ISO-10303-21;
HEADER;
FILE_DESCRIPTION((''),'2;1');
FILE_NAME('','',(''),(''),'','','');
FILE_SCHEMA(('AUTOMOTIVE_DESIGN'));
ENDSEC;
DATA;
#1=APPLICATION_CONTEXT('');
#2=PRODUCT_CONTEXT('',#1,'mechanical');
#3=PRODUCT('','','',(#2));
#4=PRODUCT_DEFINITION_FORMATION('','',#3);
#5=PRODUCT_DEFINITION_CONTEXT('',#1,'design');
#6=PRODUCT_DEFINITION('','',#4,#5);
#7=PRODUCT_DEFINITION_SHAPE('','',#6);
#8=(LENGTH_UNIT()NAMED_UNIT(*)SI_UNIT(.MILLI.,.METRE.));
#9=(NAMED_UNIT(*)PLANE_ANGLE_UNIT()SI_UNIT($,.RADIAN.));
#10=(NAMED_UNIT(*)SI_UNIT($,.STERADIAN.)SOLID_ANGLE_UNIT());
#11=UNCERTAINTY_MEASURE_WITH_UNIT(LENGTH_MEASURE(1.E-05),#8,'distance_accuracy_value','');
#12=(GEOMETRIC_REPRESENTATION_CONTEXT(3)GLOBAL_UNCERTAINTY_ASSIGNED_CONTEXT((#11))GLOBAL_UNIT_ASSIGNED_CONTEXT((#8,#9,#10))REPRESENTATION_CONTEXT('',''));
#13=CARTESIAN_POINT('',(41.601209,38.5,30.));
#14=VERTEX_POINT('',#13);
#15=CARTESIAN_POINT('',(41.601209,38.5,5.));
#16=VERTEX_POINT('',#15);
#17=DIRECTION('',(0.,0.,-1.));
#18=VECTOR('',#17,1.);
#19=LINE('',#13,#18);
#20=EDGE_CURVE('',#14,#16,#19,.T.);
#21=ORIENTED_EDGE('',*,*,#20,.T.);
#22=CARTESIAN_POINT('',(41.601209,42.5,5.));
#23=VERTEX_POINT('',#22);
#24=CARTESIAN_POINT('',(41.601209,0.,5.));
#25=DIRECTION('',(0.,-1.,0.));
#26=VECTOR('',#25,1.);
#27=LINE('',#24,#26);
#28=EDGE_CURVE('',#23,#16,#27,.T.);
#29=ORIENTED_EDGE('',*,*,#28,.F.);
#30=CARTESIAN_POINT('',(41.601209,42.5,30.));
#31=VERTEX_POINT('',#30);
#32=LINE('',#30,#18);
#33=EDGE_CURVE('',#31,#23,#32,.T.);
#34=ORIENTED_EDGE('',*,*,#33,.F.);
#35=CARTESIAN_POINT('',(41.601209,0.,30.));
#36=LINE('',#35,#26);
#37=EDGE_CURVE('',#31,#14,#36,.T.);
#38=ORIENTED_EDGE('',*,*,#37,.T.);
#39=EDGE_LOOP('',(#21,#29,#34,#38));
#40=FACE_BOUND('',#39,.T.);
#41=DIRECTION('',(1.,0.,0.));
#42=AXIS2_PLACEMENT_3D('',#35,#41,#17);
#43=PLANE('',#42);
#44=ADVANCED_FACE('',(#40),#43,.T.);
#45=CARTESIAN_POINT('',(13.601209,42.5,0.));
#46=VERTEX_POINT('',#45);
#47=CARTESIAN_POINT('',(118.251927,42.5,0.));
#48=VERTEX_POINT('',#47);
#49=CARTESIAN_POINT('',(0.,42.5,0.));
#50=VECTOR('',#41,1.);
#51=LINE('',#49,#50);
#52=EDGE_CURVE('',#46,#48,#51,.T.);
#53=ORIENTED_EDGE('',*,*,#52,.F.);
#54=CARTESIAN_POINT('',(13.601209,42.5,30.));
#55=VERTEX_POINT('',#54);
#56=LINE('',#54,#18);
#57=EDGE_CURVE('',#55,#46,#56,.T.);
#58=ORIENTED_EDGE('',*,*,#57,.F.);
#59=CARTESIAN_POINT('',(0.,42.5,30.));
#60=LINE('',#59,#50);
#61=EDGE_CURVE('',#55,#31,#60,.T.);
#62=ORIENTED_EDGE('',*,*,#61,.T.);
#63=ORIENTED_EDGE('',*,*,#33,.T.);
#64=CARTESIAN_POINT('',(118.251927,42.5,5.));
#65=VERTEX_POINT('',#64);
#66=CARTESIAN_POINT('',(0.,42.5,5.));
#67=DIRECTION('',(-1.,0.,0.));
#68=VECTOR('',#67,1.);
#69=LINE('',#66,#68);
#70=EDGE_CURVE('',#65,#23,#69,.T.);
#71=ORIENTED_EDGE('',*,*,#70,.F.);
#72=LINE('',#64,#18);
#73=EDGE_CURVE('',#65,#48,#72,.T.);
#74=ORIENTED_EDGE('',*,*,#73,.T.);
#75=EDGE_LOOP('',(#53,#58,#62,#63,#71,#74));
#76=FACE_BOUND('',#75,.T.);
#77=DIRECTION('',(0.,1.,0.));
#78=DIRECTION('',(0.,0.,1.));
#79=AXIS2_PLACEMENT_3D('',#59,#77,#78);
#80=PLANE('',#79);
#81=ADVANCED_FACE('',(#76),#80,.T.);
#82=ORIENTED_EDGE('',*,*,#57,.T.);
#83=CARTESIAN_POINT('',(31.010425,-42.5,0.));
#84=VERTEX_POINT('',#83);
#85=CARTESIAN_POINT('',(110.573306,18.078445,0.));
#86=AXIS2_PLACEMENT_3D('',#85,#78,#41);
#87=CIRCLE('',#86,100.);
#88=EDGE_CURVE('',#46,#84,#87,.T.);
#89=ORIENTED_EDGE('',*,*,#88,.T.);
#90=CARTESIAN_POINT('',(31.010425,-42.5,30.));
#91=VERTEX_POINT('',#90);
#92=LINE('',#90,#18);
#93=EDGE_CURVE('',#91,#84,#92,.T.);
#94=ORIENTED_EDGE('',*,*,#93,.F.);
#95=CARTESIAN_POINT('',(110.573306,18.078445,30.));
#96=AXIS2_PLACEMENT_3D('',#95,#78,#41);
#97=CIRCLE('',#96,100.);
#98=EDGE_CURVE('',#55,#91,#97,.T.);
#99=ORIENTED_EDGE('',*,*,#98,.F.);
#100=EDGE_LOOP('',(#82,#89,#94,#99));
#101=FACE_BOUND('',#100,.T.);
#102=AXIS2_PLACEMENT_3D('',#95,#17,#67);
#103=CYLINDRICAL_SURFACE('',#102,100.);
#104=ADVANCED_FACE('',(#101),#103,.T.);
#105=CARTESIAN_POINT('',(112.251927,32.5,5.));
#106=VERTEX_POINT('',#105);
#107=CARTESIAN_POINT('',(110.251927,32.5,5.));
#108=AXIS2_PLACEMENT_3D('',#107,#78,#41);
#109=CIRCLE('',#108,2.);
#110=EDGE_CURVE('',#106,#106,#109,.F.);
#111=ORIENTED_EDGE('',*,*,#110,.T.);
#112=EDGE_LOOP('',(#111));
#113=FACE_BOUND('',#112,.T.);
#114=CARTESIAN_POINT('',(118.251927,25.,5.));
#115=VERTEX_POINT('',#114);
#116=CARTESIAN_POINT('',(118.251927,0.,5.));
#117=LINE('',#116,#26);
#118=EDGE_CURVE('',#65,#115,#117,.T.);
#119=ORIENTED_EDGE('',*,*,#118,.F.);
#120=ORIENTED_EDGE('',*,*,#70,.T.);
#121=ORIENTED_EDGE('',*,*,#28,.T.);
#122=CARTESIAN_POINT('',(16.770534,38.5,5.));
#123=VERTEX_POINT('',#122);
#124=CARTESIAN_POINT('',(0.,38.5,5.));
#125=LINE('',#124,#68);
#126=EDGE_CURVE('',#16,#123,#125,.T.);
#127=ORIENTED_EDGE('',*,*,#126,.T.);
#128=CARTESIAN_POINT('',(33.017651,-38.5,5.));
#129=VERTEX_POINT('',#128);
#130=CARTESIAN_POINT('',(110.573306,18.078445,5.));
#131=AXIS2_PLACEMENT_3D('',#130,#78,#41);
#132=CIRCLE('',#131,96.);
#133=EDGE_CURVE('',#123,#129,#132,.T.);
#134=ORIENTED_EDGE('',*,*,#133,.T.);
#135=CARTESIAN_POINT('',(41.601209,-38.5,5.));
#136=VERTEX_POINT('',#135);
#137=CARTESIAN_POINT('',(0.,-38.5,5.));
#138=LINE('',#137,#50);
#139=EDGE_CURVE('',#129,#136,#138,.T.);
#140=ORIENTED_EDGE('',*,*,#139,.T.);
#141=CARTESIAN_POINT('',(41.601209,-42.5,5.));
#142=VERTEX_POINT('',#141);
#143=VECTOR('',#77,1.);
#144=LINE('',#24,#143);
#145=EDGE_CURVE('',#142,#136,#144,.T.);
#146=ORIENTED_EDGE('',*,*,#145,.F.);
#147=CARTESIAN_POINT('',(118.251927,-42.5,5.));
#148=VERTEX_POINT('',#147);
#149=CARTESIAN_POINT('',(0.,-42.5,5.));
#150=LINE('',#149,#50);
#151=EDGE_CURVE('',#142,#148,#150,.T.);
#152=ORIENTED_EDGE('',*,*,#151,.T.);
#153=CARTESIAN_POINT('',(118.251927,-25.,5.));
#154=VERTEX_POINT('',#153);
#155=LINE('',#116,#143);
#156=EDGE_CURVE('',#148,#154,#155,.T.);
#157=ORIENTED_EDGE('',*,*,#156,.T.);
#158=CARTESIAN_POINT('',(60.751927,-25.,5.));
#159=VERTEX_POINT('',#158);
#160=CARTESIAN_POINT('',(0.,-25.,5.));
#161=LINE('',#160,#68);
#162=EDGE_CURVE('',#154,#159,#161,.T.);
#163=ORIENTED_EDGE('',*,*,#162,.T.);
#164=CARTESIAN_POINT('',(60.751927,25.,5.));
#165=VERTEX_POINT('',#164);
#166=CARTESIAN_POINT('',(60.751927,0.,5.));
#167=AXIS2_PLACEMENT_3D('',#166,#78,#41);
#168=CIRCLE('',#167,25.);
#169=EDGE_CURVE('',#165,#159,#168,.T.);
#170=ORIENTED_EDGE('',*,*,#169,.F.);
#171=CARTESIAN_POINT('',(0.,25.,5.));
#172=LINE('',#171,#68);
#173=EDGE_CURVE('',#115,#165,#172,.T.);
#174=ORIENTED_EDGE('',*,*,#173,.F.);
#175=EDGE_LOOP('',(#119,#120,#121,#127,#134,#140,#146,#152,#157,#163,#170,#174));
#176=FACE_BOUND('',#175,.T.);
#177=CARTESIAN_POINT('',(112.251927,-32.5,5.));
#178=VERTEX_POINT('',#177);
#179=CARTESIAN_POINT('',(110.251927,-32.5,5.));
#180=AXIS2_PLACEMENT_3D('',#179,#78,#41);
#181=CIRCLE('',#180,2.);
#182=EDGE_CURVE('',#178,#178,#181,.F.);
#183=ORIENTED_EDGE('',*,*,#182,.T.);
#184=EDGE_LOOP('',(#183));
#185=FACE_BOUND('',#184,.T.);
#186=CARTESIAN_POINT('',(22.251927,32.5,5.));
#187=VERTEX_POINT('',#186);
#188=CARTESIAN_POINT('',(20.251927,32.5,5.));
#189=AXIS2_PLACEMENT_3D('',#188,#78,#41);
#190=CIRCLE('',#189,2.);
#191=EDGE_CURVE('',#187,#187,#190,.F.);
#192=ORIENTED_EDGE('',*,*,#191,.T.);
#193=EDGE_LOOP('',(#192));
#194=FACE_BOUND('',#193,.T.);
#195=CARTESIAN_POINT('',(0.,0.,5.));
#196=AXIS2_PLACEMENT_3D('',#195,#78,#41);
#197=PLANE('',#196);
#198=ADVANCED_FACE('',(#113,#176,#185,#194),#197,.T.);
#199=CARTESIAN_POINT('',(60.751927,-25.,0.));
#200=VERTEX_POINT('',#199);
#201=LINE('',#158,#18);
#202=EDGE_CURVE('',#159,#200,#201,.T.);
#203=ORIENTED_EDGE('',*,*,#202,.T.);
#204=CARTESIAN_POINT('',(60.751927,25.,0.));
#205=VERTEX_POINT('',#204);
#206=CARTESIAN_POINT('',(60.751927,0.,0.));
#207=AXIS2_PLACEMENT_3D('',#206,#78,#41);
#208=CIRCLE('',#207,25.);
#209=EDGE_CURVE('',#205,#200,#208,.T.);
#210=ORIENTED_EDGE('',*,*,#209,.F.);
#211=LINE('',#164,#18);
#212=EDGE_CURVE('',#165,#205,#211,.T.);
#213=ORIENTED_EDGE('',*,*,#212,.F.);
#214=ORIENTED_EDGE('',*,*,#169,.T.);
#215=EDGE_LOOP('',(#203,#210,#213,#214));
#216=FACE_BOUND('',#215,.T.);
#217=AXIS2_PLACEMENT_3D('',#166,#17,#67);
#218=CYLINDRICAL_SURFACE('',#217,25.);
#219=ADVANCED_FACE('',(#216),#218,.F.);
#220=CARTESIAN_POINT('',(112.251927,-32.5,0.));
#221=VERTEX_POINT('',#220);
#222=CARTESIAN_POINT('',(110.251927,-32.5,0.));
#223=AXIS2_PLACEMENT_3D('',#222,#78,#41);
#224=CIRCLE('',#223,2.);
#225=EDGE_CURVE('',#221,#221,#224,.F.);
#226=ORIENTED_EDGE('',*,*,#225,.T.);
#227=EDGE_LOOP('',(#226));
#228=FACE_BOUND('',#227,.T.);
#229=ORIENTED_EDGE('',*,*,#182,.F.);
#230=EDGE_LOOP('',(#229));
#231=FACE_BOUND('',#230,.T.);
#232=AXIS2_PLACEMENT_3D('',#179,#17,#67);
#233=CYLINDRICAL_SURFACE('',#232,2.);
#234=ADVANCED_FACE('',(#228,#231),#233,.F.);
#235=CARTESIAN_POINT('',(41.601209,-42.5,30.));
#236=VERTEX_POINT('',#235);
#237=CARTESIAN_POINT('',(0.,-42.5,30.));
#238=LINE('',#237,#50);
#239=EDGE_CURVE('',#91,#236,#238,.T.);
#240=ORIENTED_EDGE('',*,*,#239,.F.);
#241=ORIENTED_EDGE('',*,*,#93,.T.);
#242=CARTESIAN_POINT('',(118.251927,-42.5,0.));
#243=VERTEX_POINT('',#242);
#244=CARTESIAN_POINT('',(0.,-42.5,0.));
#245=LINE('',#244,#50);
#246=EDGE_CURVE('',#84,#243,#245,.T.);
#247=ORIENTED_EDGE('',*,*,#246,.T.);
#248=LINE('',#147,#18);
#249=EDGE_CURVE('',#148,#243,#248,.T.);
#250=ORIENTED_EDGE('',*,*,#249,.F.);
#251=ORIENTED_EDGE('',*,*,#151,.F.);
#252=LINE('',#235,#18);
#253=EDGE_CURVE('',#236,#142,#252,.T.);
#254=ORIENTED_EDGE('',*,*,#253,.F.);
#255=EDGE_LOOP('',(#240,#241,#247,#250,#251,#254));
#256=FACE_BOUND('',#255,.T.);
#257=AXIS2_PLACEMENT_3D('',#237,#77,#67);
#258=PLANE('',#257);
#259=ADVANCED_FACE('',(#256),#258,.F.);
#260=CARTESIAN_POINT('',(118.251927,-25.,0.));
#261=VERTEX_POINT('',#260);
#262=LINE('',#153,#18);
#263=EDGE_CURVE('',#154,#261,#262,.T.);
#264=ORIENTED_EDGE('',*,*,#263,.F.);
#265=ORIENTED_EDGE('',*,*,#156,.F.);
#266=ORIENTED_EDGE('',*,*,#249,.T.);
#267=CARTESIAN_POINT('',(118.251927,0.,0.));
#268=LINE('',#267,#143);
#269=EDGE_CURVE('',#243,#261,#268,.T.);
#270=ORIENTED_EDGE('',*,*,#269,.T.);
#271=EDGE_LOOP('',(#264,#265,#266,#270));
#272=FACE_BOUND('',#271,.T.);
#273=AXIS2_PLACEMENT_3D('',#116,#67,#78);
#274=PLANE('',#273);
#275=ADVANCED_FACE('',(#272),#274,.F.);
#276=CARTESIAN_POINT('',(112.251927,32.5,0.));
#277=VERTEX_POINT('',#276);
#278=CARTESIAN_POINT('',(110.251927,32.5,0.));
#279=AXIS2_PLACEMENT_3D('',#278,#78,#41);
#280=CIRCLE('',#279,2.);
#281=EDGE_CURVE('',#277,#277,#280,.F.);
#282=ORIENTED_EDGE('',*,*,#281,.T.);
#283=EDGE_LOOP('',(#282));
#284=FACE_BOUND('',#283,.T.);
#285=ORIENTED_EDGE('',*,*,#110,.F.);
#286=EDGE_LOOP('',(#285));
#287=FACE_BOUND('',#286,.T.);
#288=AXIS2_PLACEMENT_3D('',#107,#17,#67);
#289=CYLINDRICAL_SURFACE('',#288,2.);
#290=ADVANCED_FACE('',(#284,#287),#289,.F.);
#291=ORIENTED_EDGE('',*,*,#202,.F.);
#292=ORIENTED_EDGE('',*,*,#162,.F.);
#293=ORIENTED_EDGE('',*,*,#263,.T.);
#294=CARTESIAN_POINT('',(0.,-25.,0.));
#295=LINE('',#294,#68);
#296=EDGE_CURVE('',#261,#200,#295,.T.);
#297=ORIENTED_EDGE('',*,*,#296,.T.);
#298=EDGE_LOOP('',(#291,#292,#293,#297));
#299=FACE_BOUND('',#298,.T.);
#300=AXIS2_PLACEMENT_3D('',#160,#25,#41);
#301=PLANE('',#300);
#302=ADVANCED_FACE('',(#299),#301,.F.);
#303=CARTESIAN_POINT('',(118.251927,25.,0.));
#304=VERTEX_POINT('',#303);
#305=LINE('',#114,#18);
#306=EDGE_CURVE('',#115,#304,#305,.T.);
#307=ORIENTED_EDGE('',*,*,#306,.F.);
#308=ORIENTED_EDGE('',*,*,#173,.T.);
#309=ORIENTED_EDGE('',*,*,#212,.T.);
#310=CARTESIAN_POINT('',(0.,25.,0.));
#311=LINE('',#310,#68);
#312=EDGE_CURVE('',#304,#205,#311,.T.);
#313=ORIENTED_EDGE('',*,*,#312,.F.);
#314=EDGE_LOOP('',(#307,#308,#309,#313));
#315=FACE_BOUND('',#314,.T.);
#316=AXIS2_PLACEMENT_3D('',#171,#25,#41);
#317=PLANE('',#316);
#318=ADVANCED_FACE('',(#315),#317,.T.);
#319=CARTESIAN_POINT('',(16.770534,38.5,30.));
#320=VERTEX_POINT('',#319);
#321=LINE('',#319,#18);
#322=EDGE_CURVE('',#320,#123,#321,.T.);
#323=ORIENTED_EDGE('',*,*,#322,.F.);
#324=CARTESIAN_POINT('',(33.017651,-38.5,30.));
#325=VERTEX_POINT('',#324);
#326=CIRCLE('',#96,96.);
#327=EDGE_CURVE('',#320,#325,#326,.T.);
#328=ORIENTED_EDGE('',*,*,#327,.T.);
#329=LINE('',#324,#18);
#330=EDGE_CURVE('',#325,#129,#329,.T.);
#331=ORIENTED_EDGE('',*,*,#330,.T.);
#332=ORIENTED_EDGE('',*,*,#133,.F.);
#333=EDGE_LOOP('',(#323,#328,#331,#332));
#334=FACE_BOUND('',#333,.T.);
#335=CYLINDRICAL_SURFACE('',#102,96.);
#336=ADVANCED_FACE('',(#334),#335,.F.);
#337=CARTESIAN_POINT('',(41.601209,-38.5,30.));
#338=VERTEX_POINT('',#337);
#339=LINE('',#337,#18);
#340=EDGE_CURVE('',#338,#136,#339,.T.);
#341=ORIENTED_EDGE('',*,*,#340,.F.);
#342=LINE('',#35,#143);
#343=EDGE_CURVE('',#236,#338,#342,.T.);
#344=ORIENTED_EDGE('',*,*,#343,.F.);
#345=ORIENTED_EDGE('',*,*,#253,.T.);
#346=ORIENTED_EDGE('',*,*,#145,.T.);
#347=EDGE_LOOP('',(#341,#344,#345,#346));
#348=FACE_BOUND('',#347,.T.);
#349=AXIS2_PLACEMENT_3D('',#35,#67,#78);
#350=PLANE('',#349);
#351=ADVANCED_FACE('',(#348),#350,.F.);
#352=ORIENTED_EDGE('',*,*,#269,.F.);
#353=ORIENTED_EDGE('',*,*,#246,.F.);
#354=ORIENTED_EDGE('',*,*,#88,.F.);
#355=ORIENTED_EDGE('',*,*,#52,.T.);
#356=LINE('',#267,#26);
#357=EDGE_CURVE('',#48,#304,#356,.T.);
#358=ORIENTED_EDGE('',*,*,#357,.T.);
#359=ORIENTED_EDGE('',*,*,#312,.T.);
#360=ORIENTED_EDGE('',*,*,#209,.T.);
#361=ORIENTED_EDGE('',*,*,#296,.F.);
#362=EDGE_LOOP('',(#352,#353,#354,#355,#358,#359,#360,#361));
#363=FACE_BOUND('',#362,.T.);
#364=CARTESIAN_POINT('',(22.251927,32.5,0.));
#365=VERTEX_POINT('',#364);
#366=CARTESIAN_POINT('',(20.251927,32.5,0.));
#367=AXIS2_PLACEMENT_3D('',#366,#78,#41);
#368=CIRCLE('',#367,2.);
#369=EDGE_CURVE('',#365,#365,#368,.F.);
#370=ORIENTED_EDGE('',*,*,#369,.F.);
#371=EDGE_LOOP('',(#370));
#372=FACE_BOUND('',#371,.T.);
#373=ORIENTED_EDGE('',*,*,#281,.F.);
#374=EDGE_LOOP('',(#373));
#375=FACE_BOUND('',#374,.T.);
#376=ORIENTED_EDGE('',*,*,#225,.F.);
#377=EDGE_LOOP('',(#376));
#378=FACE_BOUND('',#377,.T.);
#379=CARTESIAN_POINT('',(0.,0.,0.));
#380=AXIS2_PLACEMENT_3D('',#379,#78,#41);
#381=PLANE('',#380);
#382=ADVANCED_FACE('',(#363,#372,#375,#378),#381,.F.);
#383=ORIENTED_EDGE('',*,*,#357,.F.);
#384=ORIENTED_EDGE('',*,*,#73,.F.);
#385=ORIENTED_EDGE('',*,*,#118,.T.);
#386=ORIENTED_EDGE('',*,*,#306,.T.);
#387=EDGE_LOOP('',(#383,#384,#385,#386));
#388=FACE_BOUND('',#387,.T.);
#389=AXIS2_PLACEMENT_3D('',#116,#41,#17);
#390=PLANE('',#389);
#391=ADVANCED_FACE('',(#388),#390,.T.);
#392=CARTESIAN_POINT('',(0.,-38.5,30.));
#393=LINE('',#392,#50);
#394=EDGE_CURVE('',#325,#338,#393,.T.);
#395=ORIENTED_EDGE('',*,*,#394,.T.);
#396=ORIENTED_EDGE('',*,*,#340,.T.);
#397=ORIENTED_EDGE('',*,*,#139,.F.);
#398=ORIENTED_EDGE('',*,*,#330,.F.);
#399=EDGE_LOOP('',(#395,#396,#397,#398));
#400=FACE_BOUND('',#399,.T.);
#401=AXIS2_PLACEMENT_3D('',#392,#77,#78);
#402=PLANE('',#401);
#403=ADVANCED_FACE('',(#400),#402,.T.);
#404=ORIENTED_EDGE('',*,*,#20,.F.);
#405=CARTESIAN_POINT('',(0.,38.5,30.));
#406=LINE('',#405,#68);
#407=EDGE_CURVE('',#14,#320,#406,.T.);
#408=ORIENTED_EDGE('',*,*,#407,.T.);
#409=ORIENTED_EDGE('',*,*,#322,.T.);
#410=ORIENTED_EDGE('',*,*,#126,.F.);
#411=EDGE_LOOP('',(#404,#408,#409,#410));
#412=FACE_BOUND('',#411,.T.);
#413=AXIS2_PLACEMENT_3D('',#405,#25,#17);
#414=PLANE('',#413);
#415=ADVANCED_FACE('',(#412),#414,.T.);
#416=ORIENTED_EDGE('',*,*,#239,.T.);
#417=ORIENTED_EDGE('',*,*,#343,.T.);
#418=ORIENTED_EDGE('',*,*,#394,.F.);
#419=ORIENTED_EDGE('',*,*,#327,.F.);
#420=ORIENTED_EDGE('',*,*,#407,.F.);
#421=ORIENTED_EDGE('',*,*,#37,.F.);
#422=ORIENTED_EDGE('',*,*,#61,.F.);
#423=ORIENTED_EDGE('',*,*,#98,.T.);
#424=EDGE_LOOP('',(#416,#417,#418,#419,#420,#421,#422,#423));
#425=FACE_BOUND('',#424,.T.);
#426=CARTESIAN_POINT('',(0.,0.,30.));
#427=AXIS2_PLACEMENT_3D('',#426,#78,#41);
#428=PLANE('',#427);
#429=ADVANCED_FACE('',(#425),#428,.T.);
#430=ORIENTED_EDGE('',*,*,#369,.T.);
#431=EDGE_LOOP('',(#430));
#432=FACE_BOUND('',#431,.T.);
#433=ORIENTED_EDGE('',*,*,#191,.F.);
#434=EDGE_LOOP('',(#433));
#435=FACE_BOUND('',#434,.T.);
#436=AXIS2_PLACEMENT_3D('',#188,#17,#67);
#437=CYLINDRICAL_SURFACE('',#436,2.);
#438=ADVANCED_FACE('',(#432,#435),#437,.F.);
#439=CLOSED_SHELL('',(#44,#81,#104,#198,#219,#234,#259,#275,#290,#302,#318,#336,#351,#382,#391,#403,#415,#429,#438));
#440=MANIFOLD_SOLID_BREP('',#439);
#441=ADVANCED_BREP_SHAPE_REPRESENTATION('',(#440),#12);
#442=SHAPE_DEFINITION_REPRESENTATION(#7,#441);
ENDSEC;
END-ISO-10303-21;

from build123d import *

# Parameters (mm, degrees)
BOSS_EXTRUDE1_DEPTH = 30
SKETCH2_R           = 2
BOSS_EXTRUDE2_DEPTH = 5


with BuildPart() as part:
    # Sketch1 → Boss-Extrude1 (new body)
    with BuildSketch(Plane.XY):
        with BuildLine():
            Line((41.601208794, 42.5), (17.731571651, 42.5))
            ThreePointArc((17.731571651, 42.5), (17.229624056, 40.505148437), (16.770533771, 38.5))
            Line((16.770533771, 38.5), (41.601208794, 38.5))
            Line((41.601208794, 38.5), (41.601208794, 42.5))
        make_face()
        with BuildLine():
            ThreePointArc((13.601208794, 42.5), (12.606987208, -1.986459129), (31.010425159, -42.5))
            Line((31.010425159, -42.5), (36.100142994, -42.5))
            ThreePointArc((36.100142994, -42.5), (34.532590926, -40.520272198), (33.017651358, -38.5))
            ThreePointArc((33.017651358, -38.5), (25.832212825, -27.03194327), (20.330809065, -14.667421089))
            ThreePointArc((20.330809065, -14.667421089), (14.78782202, 11.664315982), (16.770533771, 38.5))
            ThreePointArc((16.770533771, 38.5), (17.229624056, 40.505148437), (17.731571651, 42.5))
            Line((17.731571651, 42.5), (13.601208794, 42.5))
        make_face()
        with BuildLine():
            ThreePointArc((33.017651358, -38.5), (34.532590926, -40.520272198), (36.100142994, -42.5))
            Line((36.100142994, -42.5), (41.601208794, -42.5))
            Line((41.601208794, -42.5), (41.601208794, -38.5))
            Line((41.601208794, -38.5), (33.017651358, -38.5))
        make_face()
    extrude(amount=BOSS_EXTRUDE1_DEPTH)

    # Sketch2 → Boss-Extrude2 (add)
    with BuildSketch(Plane.XY):
        with BuildLine():
            Line((118.251926796, 42.5), (41.601208794, 42.5))
            Line((41.601208794, 42.5), (41.601208794, 38.5))
            Line((41.601208794, 38.5), (16.770533771, 38.5))
            ThreePointArc((16.770533771, 38.5), (16.641534942, -1.741302261), (33.017651358, -38.5))
            Line((33.017651358, -38.5), (41.601208794, -38.5))
            Line((41.601208794, -38.5), (41.601208794, -42.5))
            Line((41.601208794, -42.5), (118.251926796, -42.5))
            Line((118.251926796, -42.5), (118.251926796, -32.5))
            Line((118.251926796, -32.5), (118.251926796, -25))
            Line((118.251926796, -25), (60.751926796, -25))
            ThreePointArc((60.751926796, -25), (35.751926796, 0), (60.751926796, 25))
            Line((60.751926796, 25), (118.251926796, 25))
            Line((118.251926796, 25), (118.251926796, 32.5))
            Line((118.251926796, 32.5), (118.251926796, 42.5))
        make_face()
        with Locations((110.251926796, -32.5)):
            Circle(SKETCH2_R, mode=Mode.SUBTRACT)
        with Locations((20.251926796, 32.5)):
            Circle(SKETCH2_R, mode=Mode.SUBTRACT)
        with Locations((110.251926796, 32.5)):
            Circle(SKETCH2_R, mode=Mode.SUBTRACT)
    extrude(amount=BOSS_EXTRUDE2_DEPTH)


solid = part.part
